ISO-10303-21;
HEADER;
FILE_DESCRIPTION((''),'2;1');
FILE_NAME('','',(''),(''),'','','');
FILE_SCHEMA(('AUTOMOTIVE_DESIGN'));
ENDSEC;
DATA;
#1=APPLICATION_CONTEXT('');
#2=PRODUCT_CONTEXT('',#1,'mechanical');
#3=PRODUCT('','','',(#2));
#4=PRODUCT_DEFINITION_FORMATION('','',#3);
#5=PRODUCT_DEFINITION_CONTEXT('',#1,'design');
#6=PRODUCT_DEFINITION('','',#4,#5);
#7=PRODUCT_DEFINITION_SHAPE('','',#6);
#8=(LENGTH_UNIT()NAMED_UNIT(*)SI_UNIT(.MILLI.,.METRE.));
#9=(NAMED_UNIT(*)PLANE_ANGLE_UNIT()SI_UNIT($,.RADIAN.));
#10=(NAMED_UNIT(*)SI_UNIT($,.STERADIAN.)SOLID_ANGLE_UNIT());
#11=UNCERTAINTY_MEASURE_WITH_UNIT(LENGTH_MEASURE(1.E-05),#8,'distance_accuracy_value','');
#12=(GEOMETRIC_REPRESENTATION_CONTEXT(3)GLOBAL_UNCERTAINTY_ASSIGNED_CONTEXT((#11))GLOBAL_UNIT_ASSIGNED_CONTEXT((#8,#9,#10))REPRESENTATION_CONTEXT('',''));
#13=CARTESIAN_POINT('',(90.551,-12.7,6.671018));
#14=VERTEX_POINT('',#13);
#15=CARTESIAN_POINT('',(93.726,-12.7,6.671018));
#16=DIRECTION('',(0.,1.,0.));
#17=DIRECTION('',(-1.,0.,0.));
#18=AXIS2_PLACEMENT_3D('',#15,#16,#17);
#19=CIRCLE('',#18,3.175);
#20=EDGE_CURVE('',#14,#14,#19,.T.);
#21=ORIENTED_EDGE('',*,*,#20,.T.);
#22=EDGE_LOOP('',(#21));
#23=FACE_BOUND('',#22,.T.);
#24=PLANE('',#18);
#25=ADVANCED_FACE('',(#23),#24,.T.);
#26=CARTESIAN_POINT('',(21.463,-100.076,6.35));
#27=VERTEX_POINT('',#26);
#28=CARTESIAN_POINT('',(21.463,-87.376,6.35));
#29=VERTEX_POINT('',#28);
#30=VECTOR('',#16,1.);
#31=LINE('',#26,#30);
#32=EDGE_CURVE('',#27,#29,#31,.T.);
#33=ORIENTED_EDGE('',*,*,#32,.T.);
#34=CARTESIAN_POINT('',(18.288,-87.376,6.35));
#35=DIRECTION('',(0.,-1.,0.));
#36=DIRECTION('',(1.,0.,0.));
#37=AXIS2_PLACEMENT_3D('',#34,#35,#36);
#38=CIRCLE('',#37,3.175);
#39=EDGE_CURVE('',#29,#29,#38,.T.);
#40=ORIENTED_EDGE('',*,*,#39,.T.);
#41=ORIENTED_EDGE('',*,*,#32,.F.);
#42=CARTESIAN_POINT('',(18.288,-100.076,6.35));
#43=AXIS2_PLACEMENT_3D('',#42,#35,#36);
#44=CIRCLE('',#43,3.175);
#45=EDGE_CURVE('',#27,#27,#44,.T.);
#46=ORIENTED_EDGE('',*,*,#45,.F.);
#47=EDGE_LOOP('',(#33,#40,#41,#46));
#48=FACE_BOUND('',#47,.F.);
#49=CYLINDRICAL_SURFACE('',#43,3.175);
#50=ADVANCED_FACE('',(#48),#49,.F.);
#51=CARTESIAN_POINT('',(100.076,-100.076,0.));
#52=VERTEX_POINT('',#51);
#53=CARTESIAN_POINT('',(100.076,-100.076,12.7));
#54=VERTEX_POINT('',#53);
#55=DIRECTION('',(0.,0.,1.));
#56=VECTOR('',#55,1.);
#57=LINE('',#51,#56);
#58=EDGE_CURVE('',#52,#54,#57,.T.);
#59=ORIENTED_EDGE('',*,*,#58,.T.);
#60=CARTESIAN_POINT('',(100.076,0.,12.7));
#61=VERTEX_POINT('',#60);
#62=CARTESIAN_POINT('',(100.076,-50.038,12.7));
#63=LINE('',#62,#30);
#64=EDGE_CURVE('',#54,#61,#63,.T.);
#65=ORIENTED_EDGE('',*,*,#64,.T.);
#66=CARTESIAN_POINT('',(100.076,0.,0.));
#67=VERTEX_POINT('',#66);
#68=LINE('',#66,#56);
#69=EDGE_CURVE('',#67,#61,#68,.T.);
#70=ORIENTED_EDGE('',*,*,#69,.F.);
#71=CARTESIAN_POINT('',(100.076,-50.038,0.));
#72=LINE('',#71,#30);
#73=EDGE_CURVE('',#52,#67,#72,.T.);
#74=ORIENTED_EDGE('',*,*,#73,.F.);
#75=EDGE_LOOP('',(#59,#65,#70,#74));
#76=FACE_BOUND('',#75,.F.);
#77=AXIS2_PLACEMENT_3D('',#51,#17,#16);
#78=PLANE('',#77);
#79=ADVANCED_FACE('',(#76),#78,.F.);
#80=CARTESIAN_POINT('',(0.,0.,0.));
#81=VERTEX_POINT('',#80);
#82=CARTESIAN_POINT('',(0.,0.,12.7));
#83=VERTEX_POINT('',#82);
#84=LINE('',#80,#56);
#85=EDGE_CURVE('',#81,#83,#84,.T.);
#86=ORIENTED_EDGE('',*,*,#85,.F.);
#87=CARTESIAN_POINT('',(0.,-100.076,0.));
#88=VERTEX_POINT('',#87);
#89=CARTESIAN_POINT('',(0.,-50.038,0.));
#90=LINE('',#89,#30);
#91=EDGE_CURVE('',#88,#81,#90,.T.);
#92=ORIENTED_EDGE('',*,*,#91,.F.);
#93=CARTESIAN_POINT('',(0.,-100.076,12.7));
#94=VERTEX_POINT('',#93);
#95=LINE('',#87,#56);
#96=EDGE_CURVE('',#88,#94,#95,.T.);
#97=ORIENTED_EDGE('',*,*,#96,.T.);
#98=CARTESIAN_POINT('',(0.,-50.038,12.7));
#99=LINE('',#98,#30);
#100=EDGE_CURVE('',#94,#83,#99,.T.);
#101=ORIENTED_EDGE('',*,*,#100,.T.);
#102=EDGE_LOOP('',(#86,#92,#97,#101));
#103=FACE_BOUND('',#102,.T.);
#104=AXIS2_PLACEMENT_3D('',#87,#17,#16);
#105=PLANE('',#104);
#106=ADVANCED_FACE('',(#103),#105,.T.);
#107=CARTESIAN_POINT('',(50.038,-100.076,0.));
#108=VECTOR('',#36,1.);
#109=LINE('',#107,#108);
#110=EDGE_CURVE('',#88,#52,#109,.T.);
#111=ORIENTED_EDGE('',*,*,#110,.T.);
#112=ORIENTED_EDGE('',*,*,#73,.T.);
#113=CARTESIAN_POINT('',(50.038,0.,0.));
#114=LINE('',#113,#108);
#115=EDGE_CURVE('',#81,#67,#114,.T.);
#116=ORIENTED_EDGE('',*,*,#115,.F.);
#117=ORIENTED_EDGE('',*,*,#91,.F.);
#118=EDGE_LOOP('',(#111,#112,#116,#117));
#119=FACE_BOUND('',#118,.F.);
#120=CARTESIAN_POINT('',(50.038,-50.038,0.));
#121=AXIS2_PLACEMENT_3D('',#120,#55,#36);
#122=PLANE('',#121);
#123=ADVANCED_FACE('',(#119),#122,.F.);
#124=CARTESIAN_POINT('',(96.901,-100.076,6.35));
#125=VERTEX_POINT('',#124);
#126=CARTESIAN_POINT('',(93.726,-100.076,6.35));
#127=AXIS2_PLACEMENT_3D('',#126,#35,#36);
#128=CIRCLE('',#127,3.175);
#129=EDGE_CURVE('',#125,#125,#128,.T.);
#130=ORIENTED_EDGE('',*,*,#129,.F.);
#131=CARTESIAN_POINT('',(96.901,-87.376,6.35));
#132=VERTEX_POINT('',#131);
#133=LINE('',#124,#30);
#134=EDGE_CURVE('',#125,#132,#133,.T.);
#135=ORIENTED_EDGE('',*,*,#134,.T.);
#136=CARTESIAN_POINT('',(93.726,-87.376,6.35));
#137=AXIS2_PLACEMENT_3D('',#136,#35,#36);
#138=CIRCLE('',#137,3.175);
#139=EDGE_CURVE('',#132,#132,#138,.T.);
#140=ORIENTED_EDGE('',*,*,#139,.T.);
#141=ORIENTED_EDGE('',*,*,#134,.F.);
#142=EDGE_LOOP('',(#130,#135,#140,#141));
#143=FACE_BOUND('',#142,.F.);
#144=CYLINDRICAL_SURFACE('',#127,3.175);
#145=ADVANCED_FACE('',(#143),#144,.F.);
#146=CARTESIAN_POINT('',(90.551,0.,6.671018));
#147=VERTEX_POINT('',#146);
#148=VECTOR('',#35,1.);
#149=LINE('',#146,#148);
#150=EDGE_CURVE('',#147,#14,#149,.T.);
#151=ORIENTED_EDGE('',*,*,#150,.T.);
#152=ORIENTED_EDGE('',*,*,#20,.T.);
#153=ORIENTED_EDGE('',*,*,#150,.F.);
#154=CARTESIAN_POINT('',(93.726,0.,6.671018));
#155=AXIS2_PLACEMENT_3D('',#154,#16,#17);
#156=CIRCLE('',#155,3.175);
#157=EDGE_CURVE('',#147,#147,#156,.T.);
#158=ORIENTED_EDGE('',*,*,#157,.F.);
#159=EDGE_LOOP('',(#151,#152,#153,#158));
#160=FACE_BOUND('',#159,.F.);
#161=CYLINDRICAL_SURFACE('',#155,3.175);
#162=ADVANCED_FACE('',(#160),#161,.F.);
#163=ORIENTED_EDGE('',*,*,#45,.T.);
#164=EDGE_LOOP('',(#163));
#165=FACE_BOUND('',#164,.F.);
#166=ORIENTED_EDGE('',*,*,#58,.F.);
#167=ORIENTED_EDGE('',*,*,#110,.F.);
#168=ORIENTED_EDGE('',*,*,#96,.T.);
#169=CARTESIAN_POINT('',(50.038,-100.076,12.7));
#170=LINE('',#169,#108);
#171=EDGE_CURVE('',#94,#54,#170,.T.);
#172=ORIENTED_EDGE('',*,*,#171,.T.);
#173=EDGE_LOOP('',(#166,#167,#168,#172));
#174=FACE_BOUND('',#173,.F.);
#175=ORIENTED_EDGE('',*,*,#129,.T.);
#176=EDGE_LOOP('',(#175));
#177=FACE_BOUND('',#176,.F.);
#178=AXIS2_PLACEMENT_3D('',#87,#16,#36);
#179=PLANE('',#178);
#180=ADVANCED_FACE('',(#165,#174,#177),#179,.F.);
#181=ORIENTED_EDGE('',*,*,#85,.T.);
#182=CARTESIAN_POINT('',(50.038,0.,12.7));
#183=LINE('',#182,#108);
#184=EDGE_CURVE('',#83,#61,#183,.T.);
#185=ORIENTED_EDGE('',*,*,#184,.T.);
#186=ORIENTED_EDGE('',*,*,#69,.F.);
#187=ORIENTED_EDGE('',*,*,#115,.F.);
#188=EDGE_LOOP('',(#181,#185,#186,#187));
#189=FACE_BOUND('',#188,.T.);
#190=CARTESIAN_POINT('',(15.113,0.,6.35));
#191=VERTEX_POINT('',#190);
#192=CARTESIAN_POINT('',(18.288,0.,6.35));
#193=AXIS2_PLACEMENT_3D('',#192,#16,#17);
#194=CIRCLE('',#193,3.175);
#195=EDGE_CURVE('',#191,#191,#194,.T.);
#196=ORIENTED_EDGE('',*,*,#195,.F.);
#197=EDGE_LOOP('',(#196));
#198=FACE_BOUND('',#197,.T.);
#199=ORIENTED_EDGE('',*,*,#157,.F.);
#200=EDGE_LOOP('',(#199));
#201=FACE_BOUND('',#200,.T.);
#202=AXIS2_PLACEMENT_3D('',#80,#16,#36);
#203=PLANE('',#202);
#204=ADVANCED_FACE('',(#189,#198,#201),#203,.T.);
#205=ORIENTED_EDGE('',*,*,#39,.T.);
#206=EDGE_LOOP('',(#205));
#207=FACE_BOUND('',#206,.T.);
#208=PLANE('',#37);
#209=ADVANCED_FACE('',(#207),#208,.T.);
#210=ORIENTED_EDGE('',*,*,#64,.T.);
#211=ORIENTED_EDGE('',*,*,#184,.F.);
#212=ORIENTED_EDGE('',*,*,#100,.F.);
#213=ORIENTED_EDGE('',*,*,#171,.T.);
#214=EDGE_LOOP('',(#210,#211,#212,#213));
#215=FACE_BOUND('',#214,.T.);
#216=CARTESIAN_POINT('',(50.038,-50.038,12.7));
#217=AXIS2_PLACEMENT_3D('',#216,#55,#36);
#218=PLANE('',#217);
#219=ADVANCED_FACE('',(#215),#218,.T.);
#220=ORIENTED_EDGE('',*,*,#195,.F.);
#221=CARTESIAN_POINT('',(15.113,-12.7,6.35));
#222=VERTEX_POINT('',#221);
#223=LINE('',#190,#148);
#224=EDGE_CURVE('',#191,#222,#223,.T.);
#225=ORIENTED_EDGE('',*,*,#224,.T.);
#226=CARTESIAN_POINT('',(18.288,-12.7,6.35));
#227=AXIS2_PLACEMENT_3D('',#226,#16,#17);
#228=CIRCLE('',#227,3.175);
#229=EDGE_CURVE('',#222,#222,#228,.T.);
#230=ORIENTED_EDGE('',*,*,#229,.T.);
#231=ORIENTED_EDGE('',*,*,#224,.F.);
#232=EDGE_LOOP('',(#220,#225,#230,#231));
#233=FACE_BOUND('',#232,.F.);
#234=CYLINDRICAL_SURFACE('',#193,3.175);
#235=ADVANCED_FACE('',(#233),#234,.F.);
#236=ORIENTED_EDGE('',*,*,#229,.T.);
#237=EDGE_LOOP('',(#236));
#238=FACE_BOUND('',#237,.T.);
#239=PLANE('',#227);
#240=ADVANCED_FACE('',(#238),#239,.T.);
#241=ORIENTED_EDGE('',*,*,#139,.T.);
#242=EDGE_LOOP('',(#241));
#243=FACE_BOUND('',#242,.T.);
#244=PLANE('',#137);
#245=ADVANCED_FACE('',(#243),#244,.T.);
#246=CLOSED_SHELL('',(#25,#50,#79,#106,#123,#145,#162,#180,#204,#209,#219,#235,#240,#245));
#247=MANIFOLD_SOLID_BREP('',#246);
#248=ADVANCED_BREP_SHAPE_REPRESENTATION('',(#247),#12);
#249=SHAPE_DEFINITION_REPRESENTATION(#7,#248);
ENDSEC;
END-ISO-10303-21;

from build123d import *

# Parameters (mm, degrees)
F0_W     = 100.076
F0_H     = 100.076
F1_DEPTH = 12.7
F2_R     = 3.175
F3_DEPTH = 12.7
F4_R     = 3.175
F5_DEPTH = 12.7


with BuildPart() as f1:
    # F0 (on Top) → F1 (new body)
    with BuildSketch(Plane.XY):
        with Locations((50.038, -50.038)):
            Rectangle(F0_W, F0_H)
    extrude(amount=F1_DEPTH)

    # F2 (on face) → F3 (cut)
    with BuildSketch(Plane.XZ.offset(100.076)):
        with Locations((93.726, 6.35)):
            Circle(F2_R)
        with Locations((18.288, 6.35)):
            Circle(F2_R)
    extrude(amount=-F3_DEPTH, mode=Mode.SUBTRACT)

    # F4 (on face) → F5 (cut)
    with BuildSketch(Plane(origin=(0, 0, 0), x_dir=(-1, 0, 0), z_dir=(0, 1, 0))):
        with Locations((-93.726, 6.671018)):
            Circle(F4_R)
        with Locations((-18.288, 6.35)):
            Circle(F4_R)
    extrude(amount=-F5_DEPTH, mode=Mode.SUBTRACT)


solid = f1.part
